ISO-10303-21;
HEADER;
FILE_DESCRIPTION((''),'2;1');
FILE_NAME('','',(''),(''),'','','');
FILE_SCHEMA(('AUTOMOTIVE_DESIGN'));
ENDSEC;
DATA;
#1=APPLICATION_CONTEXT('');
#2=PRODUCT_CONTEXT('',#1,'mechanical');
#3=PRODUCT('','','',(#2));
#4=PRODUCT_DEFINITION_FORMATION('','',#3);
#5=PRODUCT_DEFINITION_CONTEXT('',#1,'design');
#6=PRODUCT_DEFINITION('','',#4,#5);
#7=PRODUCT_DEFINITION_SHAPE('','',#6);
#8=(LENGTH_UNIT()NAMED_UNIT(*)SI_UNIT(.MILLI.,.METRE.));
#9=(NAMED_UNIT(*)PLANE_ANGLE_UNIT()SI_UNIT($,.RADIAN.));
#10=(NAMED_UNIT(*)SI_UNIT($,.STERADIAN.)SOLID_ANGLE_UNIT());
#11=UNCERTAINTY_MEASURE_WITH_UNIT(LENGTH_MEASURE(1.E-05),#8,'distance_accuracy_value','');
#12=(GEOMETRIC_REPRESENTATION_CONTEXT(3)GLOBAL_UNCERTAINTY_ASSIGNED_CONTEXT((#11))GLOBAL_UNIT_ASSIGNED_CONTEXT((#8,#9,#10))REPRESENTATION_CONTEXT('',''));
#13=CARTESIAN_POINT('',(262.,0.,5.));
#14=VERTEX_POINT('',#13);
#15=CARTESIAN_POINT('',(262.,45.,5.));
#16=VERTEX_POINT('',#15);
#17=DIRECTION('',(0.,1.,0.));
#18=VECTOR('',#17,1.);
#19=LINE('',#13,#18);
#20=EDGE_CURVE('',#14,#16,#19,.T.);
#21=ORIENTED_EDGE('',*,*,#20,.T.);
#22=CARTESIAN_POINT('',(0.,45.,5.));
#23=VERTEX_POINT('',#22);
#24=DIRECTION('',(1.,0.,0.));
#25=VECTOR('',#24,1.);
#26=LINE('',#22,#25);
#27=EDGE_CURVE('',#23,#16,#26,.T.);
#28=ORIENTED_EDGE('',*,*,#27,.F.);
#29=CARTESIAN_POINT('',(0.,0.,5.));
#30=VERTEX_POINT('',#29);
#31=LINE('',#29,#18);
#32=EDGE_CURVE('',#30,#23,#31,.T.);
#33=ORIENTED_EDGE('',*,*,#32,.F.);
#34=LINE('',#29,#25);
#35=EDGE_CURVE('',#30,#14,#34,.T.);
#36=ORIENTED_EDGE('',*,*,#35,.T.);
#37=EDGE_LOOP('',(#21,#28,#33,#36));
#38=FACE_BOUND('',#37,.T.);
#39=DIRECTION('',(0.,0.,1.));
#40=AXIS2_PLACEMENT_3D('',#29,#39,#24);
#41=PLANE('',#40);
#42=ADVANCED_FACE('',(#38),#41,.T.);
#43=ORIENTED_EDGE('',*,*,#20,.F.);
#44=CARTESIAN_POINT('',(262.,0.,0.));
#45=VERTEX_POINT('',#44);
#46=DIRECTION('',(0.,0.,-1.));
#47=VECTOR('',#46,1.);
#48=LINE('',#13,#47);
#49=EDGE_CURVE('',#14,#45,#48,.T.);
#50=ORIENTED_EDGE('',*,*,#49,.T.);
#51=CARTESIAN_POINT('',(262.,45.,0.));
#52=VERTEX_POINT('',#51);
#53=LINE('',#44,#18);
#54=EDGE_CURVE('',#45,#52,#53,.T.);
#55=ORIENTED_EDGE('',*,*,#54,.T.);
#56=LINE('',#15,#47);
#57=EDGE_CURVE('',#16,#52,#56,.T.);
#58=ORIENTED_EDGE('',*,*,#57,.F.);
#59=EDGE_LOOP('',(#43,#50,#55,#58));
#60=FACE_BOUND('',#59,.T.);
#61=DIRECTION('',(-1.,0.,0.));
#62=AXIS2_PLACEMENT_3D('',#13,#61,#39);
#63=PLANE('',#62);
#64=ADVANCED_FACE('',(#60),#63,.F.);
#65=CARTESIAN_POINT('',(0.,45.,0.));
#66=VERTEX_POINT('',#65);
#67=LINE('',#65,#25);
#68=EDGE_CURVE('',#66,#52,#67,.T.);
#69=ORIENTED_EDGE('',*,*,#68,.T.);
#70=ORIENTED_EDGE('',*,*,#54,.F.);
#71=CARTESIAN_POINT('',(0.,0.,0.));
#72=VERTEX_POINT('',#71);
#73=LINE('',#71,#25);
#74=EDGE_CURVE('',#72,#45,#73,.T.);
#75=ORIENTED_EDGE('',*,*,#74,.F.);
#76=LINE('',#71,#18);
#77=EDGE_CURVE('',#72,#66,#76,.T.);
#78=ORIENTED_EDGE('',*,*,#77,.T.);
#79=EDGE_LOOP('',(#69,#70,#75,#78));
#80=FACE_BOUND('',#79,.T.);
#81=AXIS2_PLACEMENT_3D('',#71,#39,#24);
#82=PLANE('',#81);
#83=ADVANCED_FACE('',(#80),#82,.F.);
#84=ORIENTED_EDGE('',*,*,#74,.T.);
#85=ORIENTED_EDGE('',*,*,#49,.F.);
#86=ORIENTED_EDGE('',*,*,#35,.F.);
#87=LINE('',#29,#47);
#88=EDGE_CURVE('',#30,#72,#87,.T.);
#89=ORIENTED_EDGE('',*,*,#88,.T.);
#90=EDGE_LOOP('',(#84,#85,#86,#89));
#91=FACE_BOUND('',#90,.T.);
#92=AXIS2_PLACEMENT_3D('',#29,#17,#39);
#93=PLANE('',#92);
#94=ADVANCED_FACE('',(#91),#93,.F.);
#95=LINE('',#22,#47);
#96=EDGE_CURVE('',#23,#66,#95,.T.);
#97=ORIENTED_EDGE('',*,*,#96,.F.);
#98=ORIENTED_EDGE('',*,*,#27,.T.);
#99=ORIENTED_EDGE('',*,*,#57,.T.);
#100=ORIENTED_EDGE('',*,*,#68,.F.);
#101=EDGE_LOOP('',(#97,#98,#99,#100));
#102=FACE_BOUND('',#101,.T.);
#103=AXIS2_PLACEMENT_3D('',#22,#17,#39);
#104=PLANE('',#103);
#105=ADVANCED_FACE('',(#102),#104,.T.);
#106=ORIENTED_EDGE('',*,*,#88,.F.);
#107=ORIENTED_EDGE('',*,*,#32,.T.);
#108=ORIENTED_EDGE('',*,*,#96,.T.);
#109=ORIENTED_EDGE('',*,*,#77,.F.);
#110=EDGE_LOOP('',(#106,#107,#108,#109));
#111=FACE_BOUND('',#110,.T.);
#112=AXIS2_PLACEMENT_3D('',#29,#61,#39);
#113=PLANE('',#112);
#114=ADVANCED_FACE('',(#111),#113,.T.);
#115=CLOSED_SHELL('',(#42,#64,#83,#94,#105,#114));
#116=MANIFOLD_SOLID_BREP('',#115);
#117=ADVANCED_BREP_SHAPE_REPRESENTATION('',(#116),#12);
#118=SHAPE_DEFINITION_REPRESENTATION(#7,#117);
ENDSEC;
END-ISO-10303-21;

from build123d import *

# Parameters (mm, degrees)
ESQUISSE1_W        = 262
ESQUISSE1_H        = 45
BOSS_EXTRU_1_DEPTH = 5


with BuildPart() as part:
    # Esquisse1 → Boss.-Extru.1 (new body)
    with BuildSketch(Plane.XY):
        with Locations((131, 22.5)):
            Rectangle(ESQUISSE1_W, ESQUISSE1_H)
    extrude(amount=BOSS_EXTRU_1_DEPTH)


solid = part.part
